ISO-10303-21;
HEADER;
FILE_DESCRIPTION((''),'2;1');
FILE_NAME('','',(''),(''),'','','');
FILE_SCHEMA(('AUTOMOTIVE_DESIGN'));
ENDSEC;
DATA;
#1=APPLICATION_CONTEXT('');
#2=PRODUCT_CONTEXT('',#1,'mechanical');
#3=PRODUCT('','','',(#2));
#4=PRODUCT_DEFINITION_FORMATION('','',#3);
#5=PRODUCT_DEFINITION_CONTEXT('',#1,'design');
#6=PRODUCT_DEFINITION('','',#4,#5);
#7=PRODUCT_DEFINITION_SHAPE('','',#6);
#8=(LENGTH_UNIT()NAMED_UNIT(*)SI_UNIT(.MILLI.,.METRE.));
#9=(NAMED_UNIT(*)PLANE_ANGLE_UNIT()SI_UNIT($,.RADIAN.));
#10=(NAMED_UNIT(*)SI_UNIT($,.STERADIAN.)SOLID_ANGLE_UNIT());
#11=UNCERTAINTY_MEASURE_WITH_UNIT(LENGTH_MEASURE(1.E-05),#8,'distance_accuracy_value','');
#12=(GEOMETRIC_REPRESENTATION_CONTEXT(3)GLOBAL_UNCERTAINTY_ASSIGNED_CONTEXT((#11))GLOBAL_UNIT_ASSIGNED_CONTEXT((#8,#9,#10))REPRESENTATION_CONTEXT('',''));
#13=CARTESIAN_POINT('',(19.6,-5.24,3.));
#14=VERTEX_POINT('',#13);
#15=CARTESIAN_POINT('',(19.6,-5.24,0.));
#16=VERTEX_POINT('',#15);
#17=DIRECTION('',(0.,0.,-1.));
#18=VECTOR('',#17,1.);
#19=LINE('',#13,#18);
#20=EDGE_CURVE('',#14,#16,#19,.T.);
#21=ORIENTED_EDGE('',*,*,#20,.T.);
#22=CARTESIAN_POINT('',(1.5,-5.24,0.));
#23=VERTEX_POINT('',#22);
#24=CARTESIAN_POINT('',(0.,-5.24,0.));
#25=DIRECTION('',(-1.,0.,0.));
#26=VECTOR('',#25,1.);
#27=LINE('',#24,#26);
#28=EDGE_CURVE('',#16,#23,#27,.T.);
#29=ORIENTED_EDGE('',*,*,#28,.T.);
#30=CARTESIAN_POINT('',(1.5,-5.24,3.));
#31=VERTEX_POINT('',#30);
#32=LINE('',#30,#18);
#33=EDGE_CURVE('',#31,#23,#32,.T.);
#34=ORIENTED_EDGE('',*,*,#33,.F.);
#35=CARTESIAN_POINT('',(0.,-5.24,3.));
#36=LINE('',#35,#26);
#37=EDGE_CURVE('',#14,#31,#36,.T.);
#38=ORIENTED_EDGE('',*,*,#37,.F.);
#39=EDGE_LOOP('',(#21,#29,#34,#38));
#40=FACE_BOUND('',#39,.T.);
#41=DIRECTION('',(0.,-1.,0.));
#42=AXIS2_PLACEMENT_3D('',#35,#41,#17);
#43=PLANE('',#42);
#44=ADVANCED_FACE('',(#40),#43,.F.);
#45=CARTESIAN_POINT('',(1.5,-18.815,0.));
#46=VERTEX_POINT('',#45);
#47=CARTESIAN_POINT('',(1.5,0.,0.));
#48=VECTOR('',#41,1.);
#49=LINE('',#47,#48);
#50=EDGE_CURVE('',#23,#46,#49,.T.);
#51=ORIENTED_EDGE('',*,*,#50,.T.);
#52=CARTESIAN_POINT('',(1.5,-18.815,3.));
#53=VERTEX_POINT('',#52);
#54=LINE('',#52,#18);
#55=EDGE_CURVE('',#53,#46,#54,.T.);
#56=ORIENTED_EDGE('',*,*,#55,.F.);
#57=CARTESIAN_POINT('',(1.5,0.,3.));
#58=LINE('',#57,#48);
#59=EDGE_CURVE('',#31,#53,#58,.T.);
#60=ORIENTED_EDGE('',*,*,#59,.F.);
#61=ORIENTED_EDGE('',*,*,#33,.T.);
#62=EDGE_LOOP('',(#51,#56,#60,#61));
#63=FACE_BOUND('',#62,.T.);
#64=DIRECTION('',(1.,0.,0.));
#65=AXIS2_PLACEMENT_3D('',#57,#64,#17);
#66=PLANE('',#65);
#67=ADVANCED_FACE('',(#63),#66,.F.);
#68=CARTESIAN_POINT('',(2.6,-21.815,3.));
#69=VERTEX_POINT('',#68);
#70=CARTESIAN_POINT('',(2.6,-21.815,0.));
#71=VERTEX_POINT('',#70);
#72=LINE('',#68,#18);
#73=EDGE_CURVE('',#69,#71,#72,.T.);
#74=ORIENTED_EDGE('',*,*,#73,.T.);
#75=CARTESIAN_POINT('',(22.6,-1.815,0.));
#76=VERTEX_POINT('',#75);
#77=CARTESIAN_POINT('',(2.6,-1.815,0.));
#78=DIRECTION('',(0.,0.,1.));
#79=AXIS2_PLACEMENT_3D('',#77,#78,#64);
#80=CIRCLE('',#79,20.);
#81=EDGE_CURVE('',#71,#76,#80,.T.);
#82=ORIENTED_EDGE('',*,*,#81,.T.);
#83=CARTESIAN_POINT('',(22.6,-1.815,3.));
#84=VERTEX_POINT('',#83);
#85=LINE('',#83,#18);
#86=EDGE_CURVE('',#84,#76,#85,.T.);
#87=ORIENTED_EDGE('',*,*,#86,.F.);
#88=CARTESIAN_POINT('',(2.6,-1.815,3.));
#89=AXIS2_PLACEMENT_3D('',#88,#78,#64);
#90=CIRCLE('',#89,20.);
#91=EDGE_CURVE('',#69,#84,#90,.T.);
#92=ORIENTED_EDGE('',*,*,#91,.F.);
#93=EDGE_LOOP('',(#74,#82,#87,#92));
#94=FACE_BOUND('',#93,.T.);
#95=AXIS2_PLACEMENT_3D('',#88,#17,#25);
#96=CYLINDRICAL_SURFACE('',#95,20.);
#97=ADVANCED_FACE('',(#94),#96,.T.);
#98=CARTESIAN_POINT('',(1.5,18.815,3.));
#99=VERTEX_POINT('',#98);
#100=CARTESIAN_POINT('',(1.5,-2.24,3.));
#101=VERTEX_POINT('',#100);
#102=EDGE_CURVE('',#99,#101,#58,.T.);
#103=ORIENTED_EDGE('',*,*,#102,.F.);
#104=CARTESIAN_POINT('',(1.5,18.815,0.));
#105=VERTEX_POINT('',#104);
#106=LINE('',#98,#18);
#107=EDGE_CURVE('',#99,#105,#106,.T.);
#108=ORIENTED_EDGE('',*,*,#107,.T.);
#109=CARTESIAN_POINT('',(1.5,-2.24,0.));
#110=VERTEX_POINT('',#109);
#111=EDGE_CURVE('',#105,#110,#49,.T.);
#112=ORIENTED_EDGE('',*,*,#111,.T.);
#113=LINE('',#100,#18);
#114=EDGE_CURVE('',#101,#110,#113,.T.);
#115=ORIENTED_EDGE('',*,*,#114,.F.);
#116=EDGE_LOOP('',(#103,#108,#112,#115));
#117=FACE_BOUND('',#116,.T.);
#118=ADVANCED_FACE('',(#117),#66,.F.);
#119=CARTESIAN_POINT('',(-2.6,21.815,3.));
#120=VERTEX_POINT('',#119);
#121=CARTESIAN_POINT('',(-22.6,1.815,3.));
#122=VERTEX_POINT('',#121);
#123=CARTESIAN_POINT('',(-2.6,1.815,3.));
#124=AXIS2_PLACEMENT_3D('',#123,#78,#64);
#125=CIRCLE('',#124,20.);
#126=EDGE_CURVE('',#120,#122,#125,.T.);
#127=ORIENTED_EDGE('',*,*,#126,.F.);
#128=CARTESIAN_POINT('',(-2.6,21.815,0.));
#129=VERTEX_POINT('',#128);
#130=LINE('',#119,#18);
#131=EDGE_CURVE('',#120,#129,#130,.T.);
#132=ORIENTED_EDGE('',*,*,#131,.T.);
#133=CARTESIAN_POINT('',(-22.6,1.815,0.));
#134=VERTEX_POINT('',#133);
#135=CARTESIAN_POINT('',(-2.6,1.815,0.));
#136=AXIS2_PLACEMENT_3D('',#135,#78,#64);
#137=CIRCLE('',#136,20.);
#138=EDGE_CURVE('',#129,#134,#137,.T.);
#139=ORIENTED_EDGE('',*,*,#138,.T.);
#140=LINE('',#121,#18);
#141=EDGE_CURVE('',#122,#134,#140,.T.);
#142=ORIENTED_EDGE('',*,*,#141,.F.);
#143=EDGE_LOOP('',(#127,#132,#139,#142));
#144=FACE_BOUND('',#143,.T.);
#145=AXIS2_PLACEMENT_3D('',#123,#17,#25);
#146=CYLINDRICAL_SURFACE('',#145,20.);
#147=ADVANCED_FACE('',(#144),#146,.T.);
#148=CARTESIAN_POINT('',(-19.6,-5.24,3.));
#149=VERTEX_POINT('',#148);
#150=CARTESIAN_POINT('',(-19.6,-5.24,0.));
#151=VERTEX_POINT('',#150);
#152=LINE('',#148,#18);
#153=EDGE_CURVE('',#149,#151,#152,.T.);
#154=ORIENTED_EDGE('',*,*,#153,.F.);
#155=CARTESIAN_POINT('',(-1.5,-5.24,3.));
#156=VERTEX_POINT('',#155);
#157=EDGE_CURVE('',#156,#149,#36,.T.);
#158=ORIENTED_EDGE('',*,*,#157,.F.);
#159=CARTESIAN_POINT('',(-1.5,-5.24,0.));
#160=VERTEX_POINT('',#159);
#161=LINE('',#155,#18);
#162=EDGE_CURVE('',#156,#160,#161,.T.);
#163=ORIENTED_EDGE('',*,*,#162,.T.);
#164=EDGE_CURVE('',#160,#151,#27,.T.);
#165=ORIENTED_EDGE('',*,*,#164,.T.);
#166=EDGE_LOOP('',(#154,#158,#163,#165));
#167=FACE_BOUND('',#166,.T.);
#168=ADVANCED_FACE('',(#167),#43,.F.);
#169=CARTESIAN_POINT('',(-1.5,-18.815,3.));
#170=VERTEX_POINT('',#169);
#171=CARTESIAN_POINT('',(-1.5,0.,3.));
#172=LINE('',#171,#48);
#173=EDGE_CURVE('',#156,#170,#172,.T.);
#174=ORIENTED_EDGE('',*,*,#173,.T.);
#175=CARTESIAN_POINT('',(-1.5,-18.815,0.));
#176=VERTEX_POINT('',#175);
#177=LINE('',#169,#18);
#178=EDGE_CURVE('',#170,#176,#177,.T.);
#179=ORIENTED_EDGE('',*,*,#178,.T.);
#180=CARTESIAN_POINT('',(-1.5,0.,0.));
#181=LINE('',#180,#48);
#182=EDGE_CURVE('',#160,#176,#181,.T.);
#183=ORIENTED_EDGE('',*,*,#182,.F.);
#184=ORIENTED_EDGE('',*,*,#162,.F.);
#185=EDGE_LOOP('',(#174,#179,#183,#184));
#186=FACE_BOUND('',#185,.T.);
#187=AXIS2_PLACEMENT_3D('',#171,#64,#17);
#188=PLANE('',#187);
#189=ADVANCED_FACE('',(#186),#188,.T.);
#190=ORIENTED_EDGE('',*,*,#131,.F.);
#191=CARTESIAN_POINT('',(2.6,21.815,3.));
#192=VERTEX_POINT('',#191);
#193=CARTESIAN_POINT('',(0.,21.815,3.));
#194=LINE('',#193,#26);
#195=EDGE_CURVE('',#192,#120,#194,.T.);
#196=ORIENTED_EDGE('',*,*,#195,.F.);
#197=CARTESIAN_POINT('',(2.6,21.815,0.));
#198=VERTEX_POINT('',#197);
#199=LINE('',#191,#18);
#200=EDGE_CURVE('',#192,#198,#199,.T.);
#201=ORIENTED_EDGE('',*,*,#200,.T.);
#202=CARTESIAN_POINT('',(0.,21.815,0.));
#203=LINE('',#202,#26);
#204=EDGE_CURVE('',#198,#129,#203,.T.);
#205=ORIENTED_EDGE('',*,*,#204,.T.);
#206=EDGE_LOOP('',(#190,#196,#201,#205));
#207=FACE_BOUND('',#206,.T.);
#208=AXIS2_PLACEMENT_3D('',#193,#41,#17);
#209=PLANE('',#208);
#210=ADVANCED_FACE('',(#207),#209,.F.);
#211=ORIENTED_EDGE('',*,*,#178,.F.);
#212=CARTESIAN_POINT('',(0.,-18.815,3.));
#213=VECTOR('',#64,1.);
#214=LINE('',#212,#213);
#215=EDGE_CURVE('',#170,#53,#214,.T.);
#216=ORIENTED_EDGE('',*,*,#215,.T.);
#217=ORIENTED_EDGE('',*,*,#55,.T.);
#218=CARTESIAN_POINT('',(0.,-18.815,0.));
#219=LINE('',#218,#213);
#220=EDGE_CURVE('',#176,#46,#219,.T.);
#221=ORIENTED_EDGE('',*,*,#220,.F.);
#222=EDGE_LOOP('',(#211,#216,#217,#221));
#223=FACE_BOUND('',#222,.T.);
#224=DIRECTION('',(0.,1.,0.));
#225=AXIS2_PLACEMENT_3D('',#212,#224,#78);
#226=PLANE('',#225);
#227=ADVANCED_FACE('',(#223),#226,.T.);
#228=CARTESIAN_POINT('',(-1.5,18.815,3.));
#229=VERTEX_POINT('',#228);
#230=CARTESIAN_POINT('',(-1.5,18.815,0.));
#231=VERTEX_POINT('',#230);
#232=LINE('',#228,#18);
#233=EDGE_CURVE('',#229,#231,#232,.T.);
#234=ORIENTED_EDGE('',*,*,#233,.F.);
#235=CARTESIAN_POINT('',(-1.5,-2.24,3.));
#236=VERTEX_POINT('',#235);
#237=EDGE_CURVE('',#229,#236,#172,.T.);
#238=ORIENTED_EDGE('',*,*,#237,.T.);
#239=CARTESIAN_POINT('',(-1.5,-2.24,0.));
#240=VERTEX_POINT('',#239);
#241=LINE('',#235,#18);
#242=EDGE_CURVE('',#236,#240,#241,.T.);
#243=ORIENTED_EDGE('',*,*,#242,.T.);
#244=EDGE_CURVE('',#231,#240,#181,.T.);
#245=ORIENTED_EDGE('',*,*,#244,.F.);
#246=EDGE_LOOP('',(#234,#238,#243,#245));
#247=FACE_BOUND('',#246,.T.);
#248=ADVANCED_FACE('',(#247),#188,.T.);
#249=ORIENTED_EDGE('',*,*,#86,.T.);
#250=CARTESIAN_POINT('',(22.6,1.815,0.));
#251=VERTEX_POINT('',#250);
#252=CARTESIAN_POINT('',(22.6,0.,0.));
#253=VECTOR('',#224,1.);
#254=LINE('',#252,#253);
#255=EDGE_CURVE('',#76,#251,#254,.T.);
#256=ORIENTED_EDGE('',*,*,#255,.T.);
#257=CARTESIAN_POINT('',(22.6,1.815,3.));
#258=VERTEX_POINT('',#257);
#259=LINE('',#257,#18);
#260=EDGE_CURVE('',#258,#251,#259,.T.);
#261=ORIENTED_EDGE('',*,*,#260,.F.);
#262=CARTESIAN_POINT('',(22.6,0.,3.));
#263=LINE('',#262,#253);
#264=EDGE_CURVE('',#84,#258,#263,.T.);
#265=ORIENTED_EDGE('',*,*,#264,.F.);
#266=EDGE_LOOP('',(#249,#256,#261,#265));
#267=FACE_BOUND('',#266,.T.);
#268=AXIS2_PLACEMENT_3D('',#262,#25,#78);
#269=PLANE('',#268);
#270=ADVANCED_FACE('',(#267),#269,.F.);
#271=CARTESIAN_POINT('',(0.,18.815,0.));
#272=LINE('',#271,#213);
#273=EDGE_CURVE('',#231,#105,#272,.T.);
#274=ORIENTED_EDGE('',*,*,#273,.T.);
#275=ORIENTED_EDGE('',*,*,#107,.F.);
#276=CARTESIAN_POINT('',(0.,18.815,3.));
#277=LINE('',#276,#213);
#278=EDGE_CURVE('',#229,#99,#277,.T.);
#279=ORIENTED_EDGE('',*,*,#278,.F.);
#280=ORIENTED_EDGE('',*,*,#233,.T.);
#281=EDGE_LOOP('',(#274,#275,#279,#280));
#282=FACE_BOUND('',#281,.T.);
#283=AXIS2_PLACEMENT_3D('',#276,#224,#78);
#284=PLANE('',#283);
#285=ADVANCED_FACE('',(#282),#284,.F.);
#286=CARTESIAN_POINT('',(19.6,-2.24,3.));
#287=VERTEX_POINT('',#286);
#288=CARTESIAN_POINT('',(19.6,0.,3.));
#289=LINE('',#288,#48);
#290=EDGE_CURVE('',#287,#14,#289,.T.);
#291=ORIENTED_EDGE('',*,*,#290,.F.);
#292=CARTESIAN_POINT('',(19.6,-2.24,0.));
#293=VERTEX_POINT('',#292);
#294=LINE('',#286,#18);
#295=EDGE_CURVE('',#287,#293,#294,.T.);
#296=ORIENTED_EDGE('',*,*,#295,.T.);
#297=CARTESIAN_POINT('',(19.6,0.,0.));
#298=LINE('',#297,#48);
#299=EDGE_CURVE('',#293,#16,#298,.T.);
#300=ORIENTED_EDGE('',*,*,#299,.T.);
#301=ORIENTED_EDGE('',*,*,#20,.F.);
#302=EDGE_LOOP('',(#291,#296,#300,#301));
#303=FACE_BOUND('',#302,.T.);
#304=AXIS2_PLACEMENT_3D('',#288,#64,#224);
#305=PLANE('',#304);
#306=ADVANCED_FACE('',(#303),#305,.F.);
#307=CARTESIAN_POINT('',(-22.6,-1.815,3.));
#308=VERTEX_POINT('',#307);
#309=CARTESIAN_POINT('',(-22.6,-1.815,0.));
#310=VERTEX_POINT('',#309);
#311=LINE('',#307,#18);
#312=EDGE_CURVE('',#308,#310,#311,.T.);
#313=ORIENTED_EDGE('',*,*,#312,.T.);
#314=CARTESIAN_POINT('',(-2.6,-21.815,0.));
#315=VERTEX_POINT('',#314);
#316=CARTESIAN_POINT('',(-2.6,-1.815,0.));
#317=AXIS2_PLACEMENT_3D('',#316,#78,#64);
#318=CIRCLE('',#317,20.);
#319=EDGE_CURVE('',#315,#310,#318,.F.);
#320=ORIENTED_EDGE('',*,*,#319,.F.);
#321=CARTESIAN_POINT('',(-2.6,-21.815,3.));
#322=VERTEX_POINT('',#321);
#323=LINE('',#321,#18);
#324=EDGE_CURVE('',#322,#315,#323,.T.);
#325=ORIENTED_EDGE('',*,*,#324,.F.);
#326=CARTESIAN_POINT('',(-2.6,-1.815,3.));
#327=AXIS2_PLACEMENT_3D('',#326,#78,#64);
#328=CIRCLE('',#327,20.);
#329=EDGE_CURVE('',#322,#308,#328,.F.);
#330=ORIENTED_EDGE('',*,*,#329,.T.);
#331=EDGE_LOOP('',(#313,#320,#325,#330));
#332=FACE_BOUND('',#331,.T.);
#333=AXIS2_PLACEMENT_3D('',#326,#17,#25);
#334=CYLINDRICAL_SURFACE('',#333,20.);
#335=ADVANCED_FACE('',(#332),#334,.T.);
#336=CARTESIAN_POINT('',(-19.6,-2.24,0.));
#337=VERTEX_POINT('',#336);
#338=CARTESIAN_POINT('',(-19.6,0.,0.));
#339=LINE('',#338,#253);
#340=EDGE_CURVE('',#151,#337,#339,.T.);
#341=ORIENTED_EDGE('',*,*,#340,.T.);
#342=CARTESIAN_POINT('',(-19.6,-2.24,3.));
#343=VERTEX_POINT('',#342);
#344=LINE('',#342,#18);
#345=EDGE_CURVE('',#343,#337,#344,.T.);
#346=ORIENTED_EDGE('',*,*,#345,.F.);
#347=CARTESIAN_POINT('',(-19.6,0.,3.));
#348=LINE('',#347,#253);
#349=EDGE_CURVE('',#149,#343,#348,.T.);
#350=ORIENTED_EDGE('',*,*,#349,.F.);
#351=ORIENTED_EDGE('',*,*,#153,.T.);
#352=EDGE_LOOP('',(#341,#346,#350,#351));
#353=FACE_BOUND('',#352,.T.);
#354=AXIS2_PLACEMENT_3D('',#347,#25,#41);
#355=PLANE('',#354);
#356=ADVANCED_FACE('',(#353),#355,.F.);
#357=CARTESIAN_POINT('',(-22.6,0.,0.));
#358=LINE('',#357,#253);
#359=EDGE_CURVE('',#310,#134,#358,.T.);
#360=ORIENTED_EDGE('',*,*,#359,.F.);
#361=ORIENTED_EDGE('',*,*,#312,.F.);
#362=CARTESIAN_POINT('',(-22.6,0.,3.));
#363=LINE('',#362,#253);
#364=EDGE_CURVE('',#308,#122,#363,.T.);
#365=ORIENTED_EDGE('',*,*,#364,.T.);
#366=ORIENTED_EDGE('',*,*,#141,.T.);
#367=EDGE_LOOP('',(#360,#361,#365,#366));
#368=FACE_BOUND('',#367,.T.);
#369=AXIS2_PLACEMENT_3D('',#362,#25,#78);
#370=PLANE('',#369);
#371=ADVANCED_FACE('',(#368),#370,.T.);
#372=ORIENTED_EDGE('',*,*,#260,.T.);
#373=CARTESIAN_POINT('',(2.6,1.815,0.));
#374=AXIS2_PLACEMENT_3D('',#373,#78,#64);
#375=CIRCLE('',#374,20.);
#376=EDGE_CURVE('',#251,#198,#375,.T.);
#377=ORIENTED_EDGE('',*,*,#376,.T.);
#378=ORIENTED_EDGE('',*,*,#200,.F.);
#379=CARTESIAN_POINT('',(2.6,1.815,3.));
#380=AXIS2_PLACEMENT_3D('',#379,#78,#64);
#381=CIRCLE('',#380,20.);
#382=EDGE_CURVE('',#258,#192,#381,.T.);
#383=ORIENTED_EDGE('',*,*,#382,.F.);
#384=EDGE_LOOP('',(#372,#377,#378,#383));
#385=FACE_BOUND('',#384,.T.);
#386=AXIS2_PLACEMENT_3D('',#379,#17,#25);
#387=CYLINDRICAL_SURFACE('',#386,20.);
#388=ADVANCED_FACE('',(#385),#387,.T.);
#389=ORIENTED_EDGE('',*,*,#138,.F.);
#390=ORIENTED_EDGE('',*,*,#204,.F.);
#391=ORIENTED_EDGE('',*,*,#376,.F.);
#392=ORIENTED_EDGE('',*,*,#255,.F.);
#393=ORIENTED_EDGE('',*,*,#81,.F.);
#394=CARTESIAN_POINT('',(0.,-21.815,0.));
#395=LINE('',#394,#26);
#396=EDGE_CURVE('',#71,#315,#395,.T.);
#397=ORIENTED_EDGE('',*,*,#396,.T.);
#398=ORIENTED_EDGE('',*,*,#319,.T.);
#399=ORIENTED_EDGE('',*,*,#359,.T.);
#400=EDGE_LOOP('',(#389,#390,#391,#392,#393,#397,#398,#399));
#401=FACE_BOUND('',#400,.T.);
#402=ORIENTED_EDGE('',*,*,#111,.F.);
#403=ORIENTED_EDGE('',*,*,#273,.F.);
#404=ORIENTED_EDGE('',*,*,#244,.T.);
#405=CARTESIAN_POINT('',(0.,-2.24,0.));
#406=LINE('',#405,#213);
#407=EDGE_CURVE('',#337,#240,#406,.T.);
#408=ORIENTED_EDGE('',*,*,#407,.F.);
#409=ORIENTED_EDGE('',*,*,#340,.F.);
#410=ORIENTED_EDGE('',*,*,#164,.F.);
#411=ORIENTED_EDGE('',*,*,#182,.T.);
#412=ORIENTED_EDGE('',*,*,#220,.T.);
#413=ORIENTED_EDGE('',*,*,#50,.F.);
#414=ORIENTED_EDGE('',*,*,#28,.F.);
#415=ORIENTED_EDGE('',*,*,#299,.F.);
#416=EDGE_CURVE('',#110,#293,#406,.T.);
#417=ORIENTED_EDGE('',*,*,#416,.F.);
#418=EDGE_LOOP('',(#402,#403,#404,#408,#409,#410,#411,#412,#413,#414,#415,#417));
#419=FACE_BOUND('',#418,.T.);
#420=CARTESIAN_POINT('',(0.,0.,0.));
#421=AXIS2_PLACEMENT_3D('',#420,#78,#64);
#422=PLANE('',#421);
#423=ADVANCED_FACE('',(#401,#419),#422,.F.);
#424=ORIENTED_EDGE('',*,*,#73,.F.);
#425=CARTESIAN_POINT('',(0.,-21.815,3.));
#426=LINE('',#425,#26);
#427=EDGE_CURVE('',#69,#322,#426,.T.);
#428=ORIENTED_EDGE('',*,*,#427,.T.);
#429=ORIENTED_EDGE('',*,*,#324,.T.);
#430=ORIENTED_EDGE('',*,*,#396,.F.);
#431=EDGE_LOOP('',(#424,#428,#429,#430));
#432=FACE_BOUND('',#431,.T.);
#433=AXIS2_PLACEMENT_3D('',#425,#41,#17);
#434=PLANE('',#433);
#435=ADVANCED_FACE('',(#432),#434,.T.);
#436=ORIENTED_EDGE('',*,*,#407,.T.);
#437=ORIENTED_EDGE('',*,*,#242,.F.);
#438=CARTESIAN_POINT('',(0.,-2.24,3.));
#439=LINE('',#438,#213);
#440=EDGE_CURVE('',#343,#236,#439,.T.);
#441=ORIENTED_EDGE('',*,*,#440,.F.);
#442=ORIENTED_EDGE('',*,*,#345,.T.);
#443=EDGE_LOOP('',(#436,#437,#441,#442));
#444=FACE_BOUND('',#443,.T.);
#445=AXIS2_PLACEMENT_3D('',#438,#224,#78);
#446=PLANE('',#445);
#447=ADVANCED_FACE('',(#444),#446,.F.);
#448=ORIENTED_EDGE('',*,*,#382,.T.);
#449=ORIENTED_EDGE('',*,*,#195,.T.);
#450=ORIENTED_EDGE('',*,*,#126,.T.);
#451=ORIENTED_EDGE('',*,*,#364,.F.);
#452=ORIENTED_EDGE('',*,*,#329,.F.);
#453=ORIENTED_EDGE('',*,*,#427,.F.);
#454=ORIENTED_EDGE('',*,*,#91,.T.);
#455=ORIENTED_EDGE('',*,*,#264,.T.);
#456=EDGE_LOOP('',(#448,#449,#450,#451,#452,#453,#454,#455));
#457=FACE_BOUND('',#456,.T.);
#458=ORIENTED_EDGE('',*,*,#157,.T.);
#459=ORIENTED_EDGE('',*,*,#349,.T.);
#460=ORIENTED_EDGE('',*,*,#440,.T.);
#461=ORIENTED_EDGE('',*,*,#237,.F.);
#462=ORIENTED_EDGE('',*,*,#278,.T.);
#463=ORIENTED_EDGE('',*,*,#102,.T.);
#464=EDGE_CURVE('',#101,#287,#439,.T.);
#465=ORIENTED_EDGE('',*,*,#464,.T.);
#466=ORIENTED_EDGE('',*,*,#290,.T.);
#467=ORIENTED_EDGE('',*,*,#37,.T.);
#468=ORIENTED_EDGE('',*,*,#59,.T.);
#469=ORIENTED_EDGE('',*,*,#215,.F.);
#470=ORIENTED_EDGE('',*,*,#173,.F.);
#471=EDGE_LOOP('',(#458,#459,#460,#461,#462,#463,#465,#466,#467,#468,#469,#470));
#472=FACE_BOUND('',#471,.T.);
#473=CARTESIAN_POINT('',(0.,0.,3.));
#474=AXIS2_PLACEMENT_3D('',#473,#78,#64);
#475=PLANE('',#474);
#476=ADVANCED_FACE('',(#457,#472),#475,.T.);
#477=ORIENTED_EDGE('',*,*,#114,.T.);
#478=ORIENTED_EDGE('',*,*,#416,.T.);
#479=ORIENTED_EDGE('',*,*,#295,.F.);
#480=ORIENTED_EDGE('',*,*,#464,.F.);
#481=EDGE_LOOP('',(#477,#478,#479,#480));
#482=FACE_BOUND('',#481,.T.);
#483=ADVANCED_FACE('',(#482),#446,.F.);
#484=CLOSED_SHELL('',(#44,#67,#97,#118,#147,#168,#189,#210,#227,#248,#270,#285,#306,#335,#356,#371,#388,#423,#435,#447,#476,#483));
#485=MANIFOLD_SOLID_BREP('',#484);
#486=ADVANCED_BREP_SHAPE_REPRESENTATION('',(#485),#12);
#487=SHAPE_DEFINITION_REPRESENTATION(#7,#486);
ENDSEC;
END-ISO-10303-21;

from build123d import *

# Parameters (mm, degrees)
SALIENTE_EXTRUIR1_DEPTH = 3


with BuildPart() as part:
    # Croquis1 → Saliente-Extruir1 (new body)
    with BuildSketch(Plane.XY):
        with BuildLine():
            Line((-2.6, -21.815), (2.6, -21.815))
            ThreePointArc((2.6, -21.815), (16.742135624, -15.957135624), (22.6, -1.815))
            Line((22.6, -1.815), (22.6, 1.815))
            ThreePointArc((22.6, 1.815), (16.742135624, 15.957135624), (2.6, 21.815))
            Line((2.6, 21.815), (-2.6, 21.815))
            ThreePointArc((-2.6, 21.815), (-16.742135624, 15.957135624), (-22.6, 1.815))
            Line((-22.6, 1.815), (-22.6, -1.815))
            ThreePointArc((-22.6, -1.815), (-16.742135624, -15.957135624), (-2.6, -21.815))
        make_face()
        Polygon((-19.6, -5.24), (-19.6, -2.24), (-1.5, -2.24), (-1.5, 18.815), (1.5, 18.815), (1.5, -2.24), (19.6, -2.24), (19.6, -5.24), (1.5, -5.24), (1.5, -18.815), (-1.5, -18.815), (-1.5, -5.24), align=None, mode=Mode.SUBTRACT)
    extrude(amount=SALIENTE_EXTRUIR1_DEPTH)


solid = part.part
